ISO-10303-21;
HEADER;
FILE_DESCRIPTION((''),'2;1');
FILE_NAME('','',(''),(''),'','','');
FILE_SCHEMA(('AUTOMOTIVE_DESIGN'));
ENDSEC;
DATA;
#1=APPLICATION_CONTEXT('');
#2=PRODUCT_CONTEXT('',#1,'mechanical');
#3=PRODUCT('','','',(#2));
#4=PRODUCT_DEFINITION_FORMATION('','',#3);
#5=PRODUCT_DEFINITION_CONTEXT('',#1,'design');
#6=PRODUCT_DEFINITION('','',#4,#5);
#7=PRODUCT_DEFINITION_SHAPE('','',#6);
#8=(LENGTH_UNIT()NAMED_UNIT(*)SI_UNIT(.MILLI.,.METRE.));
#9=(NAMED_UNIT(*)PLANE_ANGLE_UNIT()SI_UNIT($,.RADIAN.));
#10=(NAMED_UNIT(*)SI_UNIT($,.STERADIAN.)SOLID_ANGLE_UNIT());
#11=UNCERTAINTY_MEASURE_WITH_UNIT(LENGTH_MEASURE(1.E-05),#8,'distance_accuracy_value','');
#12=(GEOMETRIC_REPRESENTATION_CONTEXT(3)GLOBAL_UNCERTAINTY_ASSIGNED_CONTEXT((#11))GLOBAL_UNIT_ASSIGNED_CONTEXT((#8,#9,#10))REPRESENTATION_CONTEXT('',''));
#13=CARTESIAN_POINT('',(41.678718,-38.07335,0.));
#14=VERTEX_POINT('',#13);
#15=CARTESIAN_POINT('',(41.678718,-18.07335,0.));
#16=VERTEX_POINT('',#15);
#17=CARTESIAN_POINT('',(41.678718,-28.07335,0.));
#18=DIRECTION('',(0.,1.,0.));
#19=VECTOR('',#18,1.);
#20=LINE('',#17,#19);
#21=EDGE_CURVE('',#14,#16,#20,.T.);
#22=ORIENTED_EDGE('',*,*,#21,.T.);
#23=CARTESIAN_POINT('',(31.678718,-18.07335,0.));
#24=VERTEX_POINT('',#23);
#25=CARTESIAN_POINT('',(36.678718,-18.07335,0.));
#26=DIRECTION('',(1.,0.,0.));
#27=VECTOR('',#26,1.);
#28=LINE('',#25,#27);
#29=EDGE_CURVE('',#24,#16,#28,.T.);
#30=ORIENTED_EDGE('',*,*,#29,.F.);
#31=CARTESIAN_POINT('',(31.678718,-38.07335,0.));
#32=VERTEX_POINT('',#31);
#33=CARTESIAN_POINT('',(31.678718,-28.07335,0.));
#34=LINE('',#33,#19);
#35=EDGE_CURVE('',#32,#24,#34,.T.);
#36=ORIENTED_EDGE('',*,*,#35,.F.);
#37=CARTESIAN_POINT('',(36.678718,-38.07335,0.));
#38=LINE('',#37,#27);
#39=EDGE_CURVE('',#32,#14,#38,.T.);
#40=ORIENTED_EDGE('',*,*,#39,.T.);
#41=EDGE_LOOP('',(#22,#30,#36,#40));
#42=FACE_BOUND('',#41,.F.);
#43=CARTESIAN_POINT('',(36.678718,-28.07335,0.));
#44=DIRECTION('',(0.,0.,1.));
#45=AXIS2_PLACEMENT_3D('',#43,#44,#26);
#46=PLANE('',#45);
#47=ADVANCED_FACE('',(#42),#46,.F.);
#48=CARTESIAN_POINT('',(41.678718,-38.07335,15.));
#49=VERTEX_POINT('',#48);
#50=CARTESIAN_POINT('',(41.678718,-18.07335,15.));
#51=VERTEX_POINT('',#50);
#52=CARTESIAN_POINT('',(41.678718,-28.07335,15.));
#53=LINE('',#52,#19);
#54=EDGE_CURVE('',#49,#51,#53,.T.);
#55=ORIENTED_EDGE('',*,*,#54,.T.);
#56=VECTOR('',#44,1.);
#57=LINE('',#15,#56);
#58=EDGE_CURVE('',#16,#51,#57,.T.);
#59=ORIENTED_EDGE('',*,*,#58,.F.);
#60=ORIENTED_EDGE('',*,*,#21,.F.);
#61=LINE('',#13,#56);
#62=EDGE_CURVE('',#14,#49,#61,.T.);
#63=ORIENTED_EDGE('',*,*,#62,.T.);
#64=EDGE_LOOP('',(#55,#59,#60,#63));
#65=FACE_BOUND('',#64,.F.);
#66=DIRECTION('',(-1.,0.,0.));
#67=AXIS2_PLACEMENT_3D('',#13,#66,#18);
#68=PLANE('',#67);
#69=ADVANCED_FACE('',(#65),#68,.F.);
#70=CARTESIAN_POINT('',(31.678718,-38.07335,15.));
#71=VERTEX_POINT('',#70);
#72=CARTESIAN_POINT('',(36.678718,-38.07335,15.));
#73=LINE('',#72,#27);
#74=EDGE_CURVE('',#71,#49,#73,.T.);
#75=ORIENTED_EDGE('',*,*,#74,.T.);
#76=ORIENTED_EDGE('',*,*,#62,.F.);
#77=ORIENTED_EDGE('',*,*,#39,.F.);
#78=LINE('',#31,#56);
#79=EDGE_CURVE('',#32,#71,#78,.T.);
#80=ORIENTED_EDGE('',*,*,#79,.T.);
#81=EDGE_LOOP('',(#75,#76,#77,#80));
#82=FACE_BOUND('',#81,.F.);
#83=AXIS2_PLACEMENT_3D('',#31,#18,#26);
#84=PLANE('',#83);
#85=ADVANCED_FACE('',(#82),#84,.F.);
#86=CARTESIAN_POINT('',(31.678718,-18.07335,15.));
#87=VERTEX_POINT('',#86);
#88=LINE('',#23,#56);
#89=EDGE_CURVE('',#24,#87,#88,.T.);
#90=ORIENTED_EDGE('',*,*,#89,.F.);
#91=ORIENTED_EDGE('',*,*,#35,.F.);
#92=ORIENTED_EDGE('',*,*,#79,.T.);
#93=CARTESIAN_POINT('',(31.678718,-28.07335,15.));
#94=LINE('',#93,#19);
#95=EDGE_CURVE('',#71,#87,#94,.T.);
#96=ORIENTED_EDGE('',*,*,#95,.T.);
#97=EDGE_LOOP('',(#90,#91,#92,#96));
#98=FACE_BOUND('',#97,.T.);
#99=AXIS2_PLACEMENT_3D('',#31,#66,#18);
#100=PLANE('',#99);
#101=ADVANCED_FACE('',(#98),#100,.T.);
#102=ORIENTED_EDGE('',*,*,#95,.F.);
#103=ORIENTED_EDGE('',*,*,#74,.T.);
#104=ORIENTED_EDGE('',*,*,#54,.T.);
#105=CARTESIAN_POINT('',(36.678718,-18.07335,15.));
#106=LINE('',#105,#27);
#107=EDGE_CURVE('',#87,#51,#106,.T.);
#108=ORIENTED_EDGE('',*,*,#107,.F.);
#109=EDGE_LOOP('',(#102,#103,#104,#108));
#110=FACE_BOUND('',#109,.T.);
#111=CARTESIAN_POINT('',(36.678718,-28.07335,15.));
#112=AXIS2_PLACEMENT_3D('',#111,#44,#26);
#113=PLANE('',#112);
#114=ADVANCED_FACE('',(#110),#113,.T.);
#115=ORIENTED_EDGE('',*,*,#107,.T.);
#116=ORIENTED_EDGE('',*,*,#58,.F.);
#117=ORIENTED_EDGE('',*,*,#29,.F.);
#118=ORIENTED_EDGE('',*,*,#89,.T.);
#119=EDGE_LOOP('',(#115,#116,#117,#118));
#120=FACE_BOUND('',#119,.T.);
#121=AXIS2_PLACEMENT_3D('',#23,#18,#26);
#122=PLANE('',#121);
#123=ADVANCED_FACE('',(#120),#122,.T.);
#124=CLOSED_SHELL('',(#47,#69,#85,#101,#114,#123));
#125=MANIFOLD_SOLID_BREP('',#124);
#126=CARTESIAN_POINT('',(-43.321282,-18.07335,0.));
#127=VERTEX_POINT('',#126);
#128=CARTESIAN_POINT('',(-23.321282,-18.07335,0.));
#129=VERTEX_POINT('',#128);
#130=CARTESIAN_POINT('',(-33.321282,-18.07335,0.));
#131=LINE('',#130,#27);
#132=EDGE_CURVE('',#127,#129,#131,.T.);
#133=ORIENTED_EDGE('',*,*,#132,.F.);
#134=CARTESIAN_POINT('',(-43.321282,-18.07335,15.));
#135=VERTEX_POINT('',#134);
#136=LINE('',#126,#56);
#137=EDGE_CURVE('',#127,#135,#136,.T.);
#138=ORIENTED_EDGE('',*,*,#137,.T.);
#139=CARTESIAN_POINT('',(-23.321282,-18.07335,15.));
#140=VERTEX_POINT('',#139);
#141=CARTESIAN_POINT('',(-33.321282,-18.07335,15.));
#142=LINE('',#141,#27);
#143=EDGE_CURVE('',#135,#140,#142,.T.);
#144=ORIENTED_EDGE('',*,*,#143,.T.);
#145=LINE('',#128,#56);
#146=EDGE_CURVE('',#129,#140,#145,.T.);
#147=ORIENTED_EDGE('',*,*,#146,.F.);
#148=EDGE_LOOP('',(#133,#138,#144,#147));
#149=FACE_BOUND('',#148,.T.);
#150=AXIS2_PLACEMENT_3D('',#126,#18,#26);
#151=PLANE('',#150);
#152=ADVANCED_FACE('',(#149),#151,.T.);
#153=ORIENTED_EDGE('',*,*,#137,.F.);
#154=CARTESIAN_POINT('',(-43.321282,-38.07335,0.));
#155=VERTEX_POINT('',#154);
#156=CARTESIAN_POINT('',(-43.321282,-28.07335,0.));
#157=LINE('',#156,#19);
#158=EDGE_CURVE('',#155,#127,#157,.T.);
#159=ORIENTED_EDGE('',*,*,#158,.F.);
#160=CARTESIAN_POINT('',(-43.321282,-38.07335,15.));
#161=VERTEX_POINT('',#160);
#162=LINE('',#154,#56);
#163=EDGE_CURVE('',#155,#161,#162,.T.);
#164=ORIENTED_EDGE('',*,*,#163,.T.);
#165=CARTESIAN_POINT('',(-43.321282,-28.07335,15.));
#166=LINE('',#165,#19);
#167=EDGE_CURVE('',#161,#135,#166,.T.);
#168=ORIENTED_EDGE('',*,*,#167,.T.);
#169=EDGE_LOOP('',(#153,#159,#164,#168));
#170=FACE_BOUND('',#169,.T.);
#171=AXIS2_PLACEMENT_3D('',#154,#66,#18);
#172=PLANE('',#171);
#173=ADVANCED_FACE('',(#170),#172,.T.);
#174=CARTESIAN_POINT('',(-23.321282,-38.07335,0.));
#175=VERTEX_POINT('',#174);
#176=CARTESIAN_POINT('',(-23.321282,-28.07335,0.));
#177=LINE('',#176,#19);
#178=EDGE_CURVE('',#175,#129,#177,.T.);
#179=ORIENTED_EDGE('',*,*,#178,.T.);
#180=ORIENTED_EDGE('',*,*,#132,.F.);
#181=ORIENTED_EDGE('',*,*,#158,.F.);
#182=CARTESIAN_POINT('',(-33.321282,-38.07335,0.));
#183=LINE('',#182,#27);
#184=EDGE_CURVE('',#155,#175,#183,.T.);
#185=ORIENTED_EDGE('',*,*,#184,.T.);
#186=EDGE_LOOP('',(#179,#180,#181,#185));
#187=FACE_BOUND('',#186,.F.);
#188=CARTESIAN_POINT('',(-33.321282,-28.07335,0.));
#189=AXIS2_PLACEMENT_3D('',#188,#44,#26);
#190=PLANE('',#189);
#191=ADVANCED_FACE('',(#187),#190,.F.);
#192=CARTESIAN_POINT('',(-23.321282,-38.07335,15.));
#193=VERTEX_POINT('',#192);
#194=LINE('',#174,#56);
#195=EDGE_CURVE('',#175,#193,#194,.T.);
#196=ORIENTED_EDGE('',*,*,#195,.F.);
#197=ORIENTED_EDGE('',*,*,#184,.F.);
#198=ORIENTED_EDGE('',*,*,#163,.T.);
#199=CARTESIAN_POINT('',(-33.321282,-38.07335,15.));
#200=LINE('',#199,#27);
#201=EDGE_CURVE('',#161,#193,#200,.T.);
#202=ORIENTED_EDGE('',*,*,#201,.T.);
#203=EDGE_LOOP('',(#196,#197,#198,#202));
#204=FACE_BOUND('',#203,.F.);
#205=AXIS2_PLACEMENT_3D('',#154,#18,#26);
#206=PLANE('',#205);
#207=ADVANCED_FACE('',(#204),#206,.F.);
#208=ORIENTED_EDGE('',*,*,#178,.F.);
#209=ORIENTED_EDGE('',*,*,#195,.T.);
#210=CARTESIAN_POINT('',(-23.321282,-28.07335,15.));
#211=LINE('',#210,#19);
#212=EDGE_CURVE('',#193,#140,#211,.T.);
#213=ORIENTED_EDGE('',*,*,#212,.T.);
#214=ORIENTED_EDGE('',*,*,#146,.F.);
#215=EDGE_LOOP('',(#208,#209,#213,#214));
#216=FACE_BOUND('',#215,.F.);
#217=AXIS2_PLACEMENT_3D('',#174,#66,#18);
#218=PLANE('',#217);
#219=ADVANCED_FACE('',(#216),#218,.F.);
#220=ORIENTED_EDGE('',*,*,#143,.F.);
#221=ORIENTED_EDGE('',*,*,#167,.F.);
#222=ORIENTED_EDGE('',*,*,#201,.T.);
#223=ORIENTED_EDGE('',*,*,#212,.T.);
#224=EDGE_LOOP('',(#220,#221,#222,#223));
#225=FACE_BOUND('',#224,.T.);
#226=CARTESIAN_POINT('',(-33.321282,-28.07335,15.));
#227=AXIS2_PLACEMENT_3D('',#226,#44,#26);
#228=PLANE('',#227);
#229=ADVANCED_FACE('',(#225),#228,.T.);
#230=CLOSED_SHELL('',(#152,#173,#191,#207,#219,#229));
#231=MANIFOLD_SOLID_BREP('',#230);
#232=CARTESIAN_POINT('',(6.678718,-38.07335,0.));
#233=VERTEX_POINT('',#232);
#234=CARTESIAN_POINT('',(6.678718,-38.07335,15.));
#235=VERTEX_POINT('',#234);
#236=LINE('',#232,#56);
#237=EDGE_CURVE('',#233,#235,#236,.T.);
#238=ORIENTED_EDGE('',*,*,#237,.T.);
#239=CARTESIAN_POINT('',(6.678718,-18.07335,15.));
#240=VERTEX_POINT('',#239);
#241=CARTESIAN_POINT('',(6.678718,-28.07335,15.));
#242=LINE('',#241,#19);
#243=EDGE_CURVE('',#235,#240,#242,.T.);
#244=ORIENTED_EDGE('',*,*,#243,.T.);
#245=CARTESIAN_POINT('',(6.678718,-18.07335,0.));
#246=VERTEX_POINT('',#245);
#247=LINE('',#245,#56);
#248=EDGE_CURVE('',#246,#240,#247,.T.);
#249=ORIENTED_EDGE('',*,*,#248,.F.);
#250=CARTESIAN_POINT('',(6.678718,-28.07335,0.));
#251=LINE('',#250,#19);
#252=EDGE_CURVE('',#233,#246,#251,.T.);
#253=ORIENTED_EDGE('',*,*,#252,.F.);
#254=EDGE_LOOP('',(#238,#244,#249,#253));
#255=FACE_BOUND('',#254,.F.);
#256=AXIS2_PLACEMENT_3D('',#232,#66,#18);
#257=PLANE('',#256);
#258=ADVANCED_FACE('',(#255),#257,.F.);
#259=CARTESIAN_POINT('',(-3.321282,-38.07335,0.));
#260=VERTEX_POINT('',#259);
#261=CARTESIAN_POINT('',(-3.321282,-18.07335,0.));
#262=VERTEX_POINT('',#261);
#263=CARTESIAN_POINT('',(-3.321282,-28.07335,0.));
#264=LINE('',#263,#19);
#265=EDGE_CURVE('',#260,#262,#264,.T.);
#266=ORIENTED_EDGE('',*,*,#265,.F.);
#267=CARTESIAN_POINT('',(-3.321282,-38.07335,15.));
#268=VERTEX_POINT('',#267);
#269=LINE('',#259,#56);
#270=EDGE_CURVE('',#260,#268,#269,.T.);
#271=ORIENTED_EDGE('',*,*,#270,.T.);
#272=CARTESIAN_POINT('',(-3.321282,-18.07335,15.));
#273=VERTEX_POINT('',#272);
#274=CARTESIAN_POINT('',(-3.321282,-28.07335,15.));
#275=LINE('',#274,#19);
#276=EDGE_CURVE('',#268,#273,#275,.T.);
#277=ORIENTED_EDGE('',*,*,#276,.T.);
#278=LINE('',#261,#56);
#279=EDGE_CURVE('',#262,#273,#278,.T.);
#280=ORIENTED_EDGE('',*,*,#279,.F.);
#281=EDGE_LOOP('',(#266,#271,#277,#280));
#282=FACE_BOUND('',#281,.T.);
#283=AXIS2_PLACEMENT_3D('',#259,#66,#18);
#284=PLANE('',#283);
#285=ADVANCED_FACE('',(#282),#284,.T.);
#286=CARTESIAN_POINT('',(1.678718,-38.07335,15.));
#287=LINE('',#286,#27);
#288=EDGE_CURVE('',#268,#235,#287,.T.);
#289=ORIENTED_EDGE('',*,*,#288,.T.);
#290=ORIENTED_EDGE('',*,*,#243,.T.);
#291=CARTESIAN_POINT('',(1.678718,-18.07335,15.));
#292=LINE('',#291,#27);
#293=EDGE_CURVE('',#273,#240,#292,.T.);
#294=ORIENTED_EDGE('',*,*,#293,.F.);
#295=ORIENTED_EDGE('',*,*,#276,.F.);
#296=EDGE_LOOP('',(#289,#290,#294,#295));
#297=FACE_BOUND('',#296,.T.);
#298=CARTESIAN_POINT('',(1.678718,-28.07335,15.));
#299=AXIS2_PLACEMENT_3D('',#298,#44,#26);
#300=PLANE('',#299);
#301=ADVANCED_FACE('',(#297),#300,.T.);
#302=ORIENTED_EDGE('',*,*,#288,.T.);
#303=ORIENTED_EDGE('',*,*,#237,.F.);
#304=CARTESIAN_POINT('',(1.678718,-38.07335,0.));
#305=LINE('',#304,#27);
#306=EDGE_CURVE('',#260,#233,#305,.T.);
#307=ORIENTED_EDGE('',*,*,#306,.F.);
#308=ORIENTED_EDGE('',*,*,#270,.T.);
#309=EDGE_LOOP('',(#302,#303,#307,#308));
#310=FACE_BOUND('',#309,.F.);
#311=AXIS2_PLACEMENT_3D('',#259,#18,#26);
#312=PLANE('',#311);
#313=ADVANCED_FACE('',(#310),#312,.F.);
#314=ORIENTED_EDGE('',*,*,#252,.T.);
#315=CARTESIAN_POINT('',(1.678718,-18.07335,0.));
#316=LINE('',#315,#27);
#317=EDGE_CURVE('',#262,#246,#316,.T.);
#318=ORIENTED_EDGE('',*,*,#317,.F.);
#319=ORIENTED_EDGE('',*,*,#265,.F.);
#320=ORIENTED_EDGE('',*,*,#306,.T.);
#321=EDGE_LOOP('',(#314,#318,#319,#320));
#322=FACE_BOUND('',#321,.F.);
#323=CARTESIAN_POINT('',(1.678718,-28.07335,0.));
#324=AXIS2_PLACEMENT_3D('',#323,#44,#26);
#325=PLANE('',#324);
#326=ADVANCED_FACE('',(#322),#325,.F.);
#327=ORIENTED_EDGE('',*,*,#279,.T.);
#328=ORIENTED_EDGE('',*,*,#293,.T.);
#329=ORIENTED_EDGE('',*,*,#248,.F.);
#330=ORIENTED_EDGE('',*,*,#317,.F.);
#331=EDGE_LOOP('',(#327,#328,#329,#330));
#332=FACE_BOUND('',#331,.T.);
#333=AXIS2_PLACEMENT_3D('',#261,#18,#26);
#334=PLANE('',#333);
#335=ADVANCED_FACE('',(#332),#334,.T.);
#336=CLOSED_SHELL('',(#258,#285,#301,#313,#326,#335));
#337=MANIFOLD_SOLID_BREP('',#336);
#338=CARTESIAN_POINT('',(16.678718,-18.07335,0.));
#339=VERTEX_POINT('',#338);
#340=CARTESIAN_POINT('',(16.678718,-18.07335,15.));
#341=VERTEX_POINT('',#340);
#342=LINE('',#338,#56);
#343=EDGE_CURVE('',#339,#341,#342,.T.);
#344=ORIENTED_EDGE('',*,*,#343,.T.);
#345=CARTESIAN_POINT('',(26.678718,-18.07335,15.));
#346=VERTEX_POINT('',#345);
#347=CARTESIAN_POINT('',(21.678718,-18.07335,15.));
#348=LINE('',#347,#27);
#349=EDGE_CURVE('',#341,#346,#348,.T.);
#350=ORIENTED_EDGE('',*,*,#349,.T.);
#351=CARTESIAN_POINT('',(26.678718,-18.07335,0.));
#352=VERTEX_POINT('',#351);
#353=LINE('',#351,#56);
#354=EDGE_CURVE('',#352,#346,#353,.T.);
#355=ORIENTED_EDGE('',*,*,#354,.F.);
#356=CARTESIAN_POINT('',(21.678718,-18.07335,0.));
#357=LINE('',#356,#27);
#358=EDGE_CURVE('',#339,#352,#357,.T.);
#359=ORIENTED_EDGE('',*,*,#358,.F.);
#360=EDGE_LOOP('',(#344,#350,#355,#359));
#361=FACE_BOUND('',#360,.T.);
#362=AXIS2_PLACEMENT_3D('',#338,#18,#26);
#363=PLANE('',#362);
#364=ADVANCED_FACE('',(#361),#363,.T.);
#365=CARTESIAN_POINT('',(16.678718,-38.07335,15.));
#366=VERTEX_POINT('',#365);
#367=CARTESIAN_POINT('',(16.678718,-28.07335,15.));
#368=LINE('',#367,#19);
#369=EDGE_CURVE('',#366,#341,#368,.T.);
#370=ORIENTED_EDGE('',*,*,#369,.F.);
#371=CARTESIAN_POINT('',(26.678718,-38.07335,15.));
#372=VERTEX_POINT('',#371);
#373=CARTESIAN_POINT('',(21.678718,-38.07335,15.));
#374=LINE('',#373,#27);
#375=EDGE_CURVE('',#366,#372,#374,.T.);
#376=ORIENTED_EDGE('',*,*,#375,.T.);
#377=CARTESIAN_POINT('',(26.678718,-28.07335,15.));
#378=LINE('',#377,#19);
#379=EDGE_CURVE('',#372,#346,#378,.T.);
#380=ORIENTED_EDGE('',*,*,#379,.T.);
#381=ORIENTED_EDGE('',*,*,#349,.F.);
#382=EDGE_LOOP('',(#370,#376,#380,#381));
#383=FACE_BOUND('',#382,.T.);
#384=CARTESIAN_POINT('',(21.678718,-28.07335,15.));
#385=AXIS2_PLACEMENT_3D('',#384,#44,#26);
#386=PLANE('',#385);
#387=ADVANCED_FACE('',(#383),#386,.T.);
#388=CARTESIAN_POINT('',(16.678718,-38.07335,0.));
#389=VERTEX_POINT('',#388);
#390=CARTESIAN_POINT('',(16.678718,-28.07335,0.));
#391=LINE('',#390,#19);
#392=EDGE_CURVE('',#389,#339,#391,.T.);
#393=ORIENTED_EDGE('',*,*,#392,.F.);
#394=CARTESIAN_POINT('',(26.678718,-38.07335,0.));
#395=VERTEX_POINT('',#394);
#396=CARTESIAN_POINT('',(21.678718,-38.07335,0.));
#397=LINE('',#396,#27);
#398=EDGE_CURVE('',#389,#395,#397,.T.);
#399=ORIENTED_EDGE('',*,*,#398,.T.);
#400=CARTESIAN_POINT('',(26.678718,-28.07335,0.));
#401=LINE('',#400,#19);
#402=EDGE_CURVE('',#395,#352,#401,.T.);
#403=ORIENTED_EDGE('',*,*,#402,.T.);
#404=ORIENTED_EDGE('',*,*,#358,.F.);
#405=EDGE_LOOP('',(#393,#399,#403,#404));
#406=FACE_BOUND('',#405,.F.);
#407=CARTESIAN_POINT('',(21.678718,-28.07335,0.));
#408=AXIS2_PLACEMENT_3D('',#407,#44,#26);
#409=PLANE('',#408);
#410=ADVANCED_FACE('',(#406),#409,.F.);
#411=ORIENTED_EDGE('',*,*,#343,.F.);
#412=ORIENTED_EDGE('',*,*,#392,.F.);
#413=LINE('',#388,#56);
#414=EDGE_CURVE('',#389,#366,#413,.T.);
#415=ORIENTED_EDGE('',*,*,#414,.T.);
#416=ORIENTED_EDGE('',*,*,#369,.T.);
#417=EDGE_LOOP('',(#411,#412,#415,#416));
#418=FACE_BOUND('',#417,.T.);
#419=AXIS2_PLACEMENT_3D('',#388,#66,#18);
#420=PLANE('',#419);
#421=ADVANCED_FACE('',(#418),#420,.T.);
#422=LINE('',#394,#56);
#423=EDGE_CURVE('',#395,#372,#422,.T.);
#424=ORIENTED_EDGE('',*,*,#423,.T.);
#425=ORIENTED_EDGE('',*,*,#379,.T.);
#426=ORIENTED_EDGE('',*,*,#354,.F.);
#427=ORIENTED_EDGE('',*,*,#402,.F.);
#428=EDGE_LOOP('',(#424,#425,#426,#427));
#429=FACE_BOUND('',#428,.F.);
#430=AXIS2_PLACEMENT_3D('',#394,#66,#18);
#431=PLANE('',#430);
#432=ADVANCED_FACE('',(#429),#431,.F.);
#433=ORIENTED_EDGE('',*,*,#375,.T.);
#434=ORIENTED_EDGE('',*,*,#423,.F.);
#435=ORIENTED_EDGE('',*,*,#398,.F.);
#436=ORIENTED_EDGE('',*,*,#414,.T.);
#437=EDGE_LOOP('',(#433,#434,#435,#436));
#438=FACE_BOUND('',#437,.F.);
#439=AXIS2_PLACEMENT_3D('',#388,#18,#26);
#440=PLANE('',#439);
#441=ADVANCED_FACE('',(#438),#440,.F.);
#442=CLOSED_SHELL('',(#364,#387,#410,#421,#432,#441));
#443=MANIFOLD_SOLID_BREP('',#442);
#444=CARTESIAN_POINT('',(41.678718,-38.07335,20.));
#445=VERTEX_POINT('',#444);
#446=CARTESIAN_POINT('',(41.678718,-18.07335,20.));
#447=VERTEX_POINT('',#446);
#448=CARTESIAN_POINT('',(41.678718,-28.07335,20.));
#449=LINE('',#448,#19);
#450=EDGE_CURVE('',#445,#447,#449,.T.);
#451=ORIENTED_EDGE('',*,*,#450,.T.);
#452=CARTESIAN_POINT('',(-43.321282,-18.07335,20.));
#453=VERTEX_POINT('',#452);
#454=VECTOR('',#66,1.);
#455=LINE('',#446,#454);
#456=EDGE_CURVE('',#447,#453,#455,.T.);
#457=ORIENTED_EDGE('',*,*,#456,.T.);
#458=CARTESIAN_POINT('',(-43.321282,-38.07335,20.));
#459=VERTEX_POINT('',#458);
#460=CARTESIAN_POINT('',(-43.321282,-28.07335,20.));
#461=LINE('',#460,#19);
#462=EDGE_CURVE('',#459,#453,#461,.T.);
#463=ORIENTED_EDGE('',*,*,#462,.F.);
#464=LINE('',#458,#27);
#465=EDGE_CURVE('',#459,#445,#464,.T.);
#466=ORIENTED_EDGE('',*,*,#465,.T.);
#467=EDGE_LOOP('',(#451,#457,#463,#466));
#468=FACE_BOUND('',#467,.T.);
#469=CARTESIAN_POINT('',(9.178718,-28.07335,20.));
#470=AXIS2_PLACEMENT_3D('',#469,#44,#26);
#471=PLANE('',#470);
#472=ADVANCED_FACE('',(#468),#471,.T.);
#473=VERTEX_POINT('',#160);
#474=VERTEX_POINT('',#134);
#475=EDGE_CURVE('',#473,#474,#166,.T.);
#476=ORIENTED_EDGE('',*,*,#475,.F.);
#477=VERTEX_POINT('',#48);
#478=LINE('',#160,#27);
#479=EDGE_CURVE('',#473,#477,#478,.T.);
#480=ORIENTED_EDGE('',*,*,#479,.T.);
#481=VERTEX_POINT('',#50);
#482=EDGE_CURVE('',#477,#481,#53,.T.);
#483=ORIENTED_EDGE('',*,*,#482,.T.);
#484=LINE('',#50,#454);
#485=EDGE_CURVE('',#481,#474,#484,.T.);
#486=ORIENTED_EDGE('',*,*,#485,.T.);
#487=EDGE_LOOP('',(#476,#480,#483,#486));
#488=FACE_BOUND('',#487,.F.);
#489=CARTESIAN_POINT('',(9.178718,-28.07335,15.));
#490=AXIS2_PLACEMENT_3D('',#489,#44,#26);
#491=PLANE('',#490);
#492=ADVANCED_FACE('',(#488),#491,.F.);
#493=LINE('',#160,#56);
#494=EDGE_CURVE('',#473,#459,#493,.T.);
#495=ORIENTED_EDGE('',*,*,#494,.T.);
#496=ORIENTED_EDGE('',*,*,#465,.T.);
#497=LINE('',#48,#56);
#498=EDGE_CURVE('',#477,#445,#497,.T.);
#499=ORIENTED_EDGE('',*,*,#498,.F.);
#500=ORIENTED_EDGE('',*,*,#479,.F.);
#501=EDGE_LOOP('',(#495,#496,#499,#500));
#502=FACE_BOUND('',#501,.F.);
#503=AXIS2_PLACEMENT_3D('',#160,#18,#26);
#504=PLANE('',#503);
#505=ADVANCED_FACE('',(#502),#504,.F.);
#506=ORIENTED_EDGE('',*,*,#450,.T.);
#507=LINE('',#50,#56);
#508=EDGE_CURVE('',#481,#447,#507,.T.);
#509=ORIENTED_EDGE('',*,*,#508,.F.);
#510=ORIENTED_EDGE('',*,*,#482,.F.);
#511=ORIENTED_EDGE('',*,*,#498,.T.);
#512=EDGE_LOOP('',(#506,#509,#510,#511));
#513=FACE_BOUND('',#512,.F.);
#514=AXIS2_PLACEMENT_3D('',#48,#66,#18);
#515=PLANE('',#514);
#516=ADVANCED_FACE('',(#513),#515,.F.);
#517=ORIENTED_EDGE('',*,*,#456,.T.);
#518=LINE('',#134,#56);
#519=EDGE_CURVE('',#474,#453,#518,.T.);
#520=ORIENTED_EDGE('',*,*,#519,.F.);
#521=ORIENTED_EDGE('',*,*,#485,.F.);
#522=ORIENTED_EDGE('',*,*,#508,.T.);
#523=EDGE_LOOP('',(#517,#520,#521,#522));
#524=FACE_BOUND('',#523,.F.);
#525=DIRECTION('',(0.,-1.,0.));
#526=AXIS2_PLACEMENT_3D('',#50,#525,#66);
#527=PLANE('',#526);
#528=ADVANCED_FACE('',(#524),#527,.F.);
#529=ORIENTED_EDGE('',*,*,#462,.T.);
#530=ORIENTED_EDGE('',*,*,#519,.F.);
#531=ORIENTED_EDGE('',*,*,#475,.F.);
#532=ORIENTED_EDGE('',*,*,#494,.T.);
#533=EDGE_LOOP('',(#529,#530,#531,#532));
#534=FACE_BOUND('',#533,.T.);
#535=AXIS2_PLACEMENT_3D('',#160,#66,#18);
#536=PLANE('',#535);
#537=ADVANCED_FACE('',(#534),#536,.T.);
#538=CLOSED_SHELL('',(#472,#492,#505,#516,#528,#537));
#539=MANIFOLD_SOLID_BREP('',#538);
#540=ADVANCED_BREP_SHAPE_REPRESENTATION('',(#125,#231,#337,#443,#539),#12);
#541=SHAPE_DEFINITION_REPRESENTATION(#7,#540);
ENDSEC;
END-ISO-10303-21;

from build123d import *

# Parameters (mm, degrees)
F0_W     = 20
F0_H     = 20
F0_W_2   = 10
F1_DEPTH = 15
F2_W     = 65
F2_H     = 20
F2_W_2   = 20
F3_DEPTH = 5


with BuildPart() as f1:
    # F0 (on Top) → F1 (new body)
    with BuildSketch(Plane.XY):
        with Locations((-33.321282, -28.07335)):
            Rectangle(F0_W, F0_H)
        with Locations((1.678718, -28.07335)):
            Rectangle(F0_W_2, F0_H)
        with Locations((21.678718, -28.07335)):
            Rectangle(F0_W_2, F0_H)
        with Locations((36.678718, -28.07335)):
            Rectangle(F0_W_2, F0_H)
    extrude(amount=F1_DEPTH)


with BuildPart() as f3:
    # F2 (on face) → F3 (new body)
    with BuildSketch(Plane.XY.offset(15)):
        with Locations((9.178718, -28.07335)):
            Rectangle(F2_W, F2_H)
        with Locations((-33.321282, -28.07335)):
            Rectangle(F2_W_2, F2_H)
    extrude(amount=F3_DEPTH)


solid = Compound([f1.part, f3.part])
